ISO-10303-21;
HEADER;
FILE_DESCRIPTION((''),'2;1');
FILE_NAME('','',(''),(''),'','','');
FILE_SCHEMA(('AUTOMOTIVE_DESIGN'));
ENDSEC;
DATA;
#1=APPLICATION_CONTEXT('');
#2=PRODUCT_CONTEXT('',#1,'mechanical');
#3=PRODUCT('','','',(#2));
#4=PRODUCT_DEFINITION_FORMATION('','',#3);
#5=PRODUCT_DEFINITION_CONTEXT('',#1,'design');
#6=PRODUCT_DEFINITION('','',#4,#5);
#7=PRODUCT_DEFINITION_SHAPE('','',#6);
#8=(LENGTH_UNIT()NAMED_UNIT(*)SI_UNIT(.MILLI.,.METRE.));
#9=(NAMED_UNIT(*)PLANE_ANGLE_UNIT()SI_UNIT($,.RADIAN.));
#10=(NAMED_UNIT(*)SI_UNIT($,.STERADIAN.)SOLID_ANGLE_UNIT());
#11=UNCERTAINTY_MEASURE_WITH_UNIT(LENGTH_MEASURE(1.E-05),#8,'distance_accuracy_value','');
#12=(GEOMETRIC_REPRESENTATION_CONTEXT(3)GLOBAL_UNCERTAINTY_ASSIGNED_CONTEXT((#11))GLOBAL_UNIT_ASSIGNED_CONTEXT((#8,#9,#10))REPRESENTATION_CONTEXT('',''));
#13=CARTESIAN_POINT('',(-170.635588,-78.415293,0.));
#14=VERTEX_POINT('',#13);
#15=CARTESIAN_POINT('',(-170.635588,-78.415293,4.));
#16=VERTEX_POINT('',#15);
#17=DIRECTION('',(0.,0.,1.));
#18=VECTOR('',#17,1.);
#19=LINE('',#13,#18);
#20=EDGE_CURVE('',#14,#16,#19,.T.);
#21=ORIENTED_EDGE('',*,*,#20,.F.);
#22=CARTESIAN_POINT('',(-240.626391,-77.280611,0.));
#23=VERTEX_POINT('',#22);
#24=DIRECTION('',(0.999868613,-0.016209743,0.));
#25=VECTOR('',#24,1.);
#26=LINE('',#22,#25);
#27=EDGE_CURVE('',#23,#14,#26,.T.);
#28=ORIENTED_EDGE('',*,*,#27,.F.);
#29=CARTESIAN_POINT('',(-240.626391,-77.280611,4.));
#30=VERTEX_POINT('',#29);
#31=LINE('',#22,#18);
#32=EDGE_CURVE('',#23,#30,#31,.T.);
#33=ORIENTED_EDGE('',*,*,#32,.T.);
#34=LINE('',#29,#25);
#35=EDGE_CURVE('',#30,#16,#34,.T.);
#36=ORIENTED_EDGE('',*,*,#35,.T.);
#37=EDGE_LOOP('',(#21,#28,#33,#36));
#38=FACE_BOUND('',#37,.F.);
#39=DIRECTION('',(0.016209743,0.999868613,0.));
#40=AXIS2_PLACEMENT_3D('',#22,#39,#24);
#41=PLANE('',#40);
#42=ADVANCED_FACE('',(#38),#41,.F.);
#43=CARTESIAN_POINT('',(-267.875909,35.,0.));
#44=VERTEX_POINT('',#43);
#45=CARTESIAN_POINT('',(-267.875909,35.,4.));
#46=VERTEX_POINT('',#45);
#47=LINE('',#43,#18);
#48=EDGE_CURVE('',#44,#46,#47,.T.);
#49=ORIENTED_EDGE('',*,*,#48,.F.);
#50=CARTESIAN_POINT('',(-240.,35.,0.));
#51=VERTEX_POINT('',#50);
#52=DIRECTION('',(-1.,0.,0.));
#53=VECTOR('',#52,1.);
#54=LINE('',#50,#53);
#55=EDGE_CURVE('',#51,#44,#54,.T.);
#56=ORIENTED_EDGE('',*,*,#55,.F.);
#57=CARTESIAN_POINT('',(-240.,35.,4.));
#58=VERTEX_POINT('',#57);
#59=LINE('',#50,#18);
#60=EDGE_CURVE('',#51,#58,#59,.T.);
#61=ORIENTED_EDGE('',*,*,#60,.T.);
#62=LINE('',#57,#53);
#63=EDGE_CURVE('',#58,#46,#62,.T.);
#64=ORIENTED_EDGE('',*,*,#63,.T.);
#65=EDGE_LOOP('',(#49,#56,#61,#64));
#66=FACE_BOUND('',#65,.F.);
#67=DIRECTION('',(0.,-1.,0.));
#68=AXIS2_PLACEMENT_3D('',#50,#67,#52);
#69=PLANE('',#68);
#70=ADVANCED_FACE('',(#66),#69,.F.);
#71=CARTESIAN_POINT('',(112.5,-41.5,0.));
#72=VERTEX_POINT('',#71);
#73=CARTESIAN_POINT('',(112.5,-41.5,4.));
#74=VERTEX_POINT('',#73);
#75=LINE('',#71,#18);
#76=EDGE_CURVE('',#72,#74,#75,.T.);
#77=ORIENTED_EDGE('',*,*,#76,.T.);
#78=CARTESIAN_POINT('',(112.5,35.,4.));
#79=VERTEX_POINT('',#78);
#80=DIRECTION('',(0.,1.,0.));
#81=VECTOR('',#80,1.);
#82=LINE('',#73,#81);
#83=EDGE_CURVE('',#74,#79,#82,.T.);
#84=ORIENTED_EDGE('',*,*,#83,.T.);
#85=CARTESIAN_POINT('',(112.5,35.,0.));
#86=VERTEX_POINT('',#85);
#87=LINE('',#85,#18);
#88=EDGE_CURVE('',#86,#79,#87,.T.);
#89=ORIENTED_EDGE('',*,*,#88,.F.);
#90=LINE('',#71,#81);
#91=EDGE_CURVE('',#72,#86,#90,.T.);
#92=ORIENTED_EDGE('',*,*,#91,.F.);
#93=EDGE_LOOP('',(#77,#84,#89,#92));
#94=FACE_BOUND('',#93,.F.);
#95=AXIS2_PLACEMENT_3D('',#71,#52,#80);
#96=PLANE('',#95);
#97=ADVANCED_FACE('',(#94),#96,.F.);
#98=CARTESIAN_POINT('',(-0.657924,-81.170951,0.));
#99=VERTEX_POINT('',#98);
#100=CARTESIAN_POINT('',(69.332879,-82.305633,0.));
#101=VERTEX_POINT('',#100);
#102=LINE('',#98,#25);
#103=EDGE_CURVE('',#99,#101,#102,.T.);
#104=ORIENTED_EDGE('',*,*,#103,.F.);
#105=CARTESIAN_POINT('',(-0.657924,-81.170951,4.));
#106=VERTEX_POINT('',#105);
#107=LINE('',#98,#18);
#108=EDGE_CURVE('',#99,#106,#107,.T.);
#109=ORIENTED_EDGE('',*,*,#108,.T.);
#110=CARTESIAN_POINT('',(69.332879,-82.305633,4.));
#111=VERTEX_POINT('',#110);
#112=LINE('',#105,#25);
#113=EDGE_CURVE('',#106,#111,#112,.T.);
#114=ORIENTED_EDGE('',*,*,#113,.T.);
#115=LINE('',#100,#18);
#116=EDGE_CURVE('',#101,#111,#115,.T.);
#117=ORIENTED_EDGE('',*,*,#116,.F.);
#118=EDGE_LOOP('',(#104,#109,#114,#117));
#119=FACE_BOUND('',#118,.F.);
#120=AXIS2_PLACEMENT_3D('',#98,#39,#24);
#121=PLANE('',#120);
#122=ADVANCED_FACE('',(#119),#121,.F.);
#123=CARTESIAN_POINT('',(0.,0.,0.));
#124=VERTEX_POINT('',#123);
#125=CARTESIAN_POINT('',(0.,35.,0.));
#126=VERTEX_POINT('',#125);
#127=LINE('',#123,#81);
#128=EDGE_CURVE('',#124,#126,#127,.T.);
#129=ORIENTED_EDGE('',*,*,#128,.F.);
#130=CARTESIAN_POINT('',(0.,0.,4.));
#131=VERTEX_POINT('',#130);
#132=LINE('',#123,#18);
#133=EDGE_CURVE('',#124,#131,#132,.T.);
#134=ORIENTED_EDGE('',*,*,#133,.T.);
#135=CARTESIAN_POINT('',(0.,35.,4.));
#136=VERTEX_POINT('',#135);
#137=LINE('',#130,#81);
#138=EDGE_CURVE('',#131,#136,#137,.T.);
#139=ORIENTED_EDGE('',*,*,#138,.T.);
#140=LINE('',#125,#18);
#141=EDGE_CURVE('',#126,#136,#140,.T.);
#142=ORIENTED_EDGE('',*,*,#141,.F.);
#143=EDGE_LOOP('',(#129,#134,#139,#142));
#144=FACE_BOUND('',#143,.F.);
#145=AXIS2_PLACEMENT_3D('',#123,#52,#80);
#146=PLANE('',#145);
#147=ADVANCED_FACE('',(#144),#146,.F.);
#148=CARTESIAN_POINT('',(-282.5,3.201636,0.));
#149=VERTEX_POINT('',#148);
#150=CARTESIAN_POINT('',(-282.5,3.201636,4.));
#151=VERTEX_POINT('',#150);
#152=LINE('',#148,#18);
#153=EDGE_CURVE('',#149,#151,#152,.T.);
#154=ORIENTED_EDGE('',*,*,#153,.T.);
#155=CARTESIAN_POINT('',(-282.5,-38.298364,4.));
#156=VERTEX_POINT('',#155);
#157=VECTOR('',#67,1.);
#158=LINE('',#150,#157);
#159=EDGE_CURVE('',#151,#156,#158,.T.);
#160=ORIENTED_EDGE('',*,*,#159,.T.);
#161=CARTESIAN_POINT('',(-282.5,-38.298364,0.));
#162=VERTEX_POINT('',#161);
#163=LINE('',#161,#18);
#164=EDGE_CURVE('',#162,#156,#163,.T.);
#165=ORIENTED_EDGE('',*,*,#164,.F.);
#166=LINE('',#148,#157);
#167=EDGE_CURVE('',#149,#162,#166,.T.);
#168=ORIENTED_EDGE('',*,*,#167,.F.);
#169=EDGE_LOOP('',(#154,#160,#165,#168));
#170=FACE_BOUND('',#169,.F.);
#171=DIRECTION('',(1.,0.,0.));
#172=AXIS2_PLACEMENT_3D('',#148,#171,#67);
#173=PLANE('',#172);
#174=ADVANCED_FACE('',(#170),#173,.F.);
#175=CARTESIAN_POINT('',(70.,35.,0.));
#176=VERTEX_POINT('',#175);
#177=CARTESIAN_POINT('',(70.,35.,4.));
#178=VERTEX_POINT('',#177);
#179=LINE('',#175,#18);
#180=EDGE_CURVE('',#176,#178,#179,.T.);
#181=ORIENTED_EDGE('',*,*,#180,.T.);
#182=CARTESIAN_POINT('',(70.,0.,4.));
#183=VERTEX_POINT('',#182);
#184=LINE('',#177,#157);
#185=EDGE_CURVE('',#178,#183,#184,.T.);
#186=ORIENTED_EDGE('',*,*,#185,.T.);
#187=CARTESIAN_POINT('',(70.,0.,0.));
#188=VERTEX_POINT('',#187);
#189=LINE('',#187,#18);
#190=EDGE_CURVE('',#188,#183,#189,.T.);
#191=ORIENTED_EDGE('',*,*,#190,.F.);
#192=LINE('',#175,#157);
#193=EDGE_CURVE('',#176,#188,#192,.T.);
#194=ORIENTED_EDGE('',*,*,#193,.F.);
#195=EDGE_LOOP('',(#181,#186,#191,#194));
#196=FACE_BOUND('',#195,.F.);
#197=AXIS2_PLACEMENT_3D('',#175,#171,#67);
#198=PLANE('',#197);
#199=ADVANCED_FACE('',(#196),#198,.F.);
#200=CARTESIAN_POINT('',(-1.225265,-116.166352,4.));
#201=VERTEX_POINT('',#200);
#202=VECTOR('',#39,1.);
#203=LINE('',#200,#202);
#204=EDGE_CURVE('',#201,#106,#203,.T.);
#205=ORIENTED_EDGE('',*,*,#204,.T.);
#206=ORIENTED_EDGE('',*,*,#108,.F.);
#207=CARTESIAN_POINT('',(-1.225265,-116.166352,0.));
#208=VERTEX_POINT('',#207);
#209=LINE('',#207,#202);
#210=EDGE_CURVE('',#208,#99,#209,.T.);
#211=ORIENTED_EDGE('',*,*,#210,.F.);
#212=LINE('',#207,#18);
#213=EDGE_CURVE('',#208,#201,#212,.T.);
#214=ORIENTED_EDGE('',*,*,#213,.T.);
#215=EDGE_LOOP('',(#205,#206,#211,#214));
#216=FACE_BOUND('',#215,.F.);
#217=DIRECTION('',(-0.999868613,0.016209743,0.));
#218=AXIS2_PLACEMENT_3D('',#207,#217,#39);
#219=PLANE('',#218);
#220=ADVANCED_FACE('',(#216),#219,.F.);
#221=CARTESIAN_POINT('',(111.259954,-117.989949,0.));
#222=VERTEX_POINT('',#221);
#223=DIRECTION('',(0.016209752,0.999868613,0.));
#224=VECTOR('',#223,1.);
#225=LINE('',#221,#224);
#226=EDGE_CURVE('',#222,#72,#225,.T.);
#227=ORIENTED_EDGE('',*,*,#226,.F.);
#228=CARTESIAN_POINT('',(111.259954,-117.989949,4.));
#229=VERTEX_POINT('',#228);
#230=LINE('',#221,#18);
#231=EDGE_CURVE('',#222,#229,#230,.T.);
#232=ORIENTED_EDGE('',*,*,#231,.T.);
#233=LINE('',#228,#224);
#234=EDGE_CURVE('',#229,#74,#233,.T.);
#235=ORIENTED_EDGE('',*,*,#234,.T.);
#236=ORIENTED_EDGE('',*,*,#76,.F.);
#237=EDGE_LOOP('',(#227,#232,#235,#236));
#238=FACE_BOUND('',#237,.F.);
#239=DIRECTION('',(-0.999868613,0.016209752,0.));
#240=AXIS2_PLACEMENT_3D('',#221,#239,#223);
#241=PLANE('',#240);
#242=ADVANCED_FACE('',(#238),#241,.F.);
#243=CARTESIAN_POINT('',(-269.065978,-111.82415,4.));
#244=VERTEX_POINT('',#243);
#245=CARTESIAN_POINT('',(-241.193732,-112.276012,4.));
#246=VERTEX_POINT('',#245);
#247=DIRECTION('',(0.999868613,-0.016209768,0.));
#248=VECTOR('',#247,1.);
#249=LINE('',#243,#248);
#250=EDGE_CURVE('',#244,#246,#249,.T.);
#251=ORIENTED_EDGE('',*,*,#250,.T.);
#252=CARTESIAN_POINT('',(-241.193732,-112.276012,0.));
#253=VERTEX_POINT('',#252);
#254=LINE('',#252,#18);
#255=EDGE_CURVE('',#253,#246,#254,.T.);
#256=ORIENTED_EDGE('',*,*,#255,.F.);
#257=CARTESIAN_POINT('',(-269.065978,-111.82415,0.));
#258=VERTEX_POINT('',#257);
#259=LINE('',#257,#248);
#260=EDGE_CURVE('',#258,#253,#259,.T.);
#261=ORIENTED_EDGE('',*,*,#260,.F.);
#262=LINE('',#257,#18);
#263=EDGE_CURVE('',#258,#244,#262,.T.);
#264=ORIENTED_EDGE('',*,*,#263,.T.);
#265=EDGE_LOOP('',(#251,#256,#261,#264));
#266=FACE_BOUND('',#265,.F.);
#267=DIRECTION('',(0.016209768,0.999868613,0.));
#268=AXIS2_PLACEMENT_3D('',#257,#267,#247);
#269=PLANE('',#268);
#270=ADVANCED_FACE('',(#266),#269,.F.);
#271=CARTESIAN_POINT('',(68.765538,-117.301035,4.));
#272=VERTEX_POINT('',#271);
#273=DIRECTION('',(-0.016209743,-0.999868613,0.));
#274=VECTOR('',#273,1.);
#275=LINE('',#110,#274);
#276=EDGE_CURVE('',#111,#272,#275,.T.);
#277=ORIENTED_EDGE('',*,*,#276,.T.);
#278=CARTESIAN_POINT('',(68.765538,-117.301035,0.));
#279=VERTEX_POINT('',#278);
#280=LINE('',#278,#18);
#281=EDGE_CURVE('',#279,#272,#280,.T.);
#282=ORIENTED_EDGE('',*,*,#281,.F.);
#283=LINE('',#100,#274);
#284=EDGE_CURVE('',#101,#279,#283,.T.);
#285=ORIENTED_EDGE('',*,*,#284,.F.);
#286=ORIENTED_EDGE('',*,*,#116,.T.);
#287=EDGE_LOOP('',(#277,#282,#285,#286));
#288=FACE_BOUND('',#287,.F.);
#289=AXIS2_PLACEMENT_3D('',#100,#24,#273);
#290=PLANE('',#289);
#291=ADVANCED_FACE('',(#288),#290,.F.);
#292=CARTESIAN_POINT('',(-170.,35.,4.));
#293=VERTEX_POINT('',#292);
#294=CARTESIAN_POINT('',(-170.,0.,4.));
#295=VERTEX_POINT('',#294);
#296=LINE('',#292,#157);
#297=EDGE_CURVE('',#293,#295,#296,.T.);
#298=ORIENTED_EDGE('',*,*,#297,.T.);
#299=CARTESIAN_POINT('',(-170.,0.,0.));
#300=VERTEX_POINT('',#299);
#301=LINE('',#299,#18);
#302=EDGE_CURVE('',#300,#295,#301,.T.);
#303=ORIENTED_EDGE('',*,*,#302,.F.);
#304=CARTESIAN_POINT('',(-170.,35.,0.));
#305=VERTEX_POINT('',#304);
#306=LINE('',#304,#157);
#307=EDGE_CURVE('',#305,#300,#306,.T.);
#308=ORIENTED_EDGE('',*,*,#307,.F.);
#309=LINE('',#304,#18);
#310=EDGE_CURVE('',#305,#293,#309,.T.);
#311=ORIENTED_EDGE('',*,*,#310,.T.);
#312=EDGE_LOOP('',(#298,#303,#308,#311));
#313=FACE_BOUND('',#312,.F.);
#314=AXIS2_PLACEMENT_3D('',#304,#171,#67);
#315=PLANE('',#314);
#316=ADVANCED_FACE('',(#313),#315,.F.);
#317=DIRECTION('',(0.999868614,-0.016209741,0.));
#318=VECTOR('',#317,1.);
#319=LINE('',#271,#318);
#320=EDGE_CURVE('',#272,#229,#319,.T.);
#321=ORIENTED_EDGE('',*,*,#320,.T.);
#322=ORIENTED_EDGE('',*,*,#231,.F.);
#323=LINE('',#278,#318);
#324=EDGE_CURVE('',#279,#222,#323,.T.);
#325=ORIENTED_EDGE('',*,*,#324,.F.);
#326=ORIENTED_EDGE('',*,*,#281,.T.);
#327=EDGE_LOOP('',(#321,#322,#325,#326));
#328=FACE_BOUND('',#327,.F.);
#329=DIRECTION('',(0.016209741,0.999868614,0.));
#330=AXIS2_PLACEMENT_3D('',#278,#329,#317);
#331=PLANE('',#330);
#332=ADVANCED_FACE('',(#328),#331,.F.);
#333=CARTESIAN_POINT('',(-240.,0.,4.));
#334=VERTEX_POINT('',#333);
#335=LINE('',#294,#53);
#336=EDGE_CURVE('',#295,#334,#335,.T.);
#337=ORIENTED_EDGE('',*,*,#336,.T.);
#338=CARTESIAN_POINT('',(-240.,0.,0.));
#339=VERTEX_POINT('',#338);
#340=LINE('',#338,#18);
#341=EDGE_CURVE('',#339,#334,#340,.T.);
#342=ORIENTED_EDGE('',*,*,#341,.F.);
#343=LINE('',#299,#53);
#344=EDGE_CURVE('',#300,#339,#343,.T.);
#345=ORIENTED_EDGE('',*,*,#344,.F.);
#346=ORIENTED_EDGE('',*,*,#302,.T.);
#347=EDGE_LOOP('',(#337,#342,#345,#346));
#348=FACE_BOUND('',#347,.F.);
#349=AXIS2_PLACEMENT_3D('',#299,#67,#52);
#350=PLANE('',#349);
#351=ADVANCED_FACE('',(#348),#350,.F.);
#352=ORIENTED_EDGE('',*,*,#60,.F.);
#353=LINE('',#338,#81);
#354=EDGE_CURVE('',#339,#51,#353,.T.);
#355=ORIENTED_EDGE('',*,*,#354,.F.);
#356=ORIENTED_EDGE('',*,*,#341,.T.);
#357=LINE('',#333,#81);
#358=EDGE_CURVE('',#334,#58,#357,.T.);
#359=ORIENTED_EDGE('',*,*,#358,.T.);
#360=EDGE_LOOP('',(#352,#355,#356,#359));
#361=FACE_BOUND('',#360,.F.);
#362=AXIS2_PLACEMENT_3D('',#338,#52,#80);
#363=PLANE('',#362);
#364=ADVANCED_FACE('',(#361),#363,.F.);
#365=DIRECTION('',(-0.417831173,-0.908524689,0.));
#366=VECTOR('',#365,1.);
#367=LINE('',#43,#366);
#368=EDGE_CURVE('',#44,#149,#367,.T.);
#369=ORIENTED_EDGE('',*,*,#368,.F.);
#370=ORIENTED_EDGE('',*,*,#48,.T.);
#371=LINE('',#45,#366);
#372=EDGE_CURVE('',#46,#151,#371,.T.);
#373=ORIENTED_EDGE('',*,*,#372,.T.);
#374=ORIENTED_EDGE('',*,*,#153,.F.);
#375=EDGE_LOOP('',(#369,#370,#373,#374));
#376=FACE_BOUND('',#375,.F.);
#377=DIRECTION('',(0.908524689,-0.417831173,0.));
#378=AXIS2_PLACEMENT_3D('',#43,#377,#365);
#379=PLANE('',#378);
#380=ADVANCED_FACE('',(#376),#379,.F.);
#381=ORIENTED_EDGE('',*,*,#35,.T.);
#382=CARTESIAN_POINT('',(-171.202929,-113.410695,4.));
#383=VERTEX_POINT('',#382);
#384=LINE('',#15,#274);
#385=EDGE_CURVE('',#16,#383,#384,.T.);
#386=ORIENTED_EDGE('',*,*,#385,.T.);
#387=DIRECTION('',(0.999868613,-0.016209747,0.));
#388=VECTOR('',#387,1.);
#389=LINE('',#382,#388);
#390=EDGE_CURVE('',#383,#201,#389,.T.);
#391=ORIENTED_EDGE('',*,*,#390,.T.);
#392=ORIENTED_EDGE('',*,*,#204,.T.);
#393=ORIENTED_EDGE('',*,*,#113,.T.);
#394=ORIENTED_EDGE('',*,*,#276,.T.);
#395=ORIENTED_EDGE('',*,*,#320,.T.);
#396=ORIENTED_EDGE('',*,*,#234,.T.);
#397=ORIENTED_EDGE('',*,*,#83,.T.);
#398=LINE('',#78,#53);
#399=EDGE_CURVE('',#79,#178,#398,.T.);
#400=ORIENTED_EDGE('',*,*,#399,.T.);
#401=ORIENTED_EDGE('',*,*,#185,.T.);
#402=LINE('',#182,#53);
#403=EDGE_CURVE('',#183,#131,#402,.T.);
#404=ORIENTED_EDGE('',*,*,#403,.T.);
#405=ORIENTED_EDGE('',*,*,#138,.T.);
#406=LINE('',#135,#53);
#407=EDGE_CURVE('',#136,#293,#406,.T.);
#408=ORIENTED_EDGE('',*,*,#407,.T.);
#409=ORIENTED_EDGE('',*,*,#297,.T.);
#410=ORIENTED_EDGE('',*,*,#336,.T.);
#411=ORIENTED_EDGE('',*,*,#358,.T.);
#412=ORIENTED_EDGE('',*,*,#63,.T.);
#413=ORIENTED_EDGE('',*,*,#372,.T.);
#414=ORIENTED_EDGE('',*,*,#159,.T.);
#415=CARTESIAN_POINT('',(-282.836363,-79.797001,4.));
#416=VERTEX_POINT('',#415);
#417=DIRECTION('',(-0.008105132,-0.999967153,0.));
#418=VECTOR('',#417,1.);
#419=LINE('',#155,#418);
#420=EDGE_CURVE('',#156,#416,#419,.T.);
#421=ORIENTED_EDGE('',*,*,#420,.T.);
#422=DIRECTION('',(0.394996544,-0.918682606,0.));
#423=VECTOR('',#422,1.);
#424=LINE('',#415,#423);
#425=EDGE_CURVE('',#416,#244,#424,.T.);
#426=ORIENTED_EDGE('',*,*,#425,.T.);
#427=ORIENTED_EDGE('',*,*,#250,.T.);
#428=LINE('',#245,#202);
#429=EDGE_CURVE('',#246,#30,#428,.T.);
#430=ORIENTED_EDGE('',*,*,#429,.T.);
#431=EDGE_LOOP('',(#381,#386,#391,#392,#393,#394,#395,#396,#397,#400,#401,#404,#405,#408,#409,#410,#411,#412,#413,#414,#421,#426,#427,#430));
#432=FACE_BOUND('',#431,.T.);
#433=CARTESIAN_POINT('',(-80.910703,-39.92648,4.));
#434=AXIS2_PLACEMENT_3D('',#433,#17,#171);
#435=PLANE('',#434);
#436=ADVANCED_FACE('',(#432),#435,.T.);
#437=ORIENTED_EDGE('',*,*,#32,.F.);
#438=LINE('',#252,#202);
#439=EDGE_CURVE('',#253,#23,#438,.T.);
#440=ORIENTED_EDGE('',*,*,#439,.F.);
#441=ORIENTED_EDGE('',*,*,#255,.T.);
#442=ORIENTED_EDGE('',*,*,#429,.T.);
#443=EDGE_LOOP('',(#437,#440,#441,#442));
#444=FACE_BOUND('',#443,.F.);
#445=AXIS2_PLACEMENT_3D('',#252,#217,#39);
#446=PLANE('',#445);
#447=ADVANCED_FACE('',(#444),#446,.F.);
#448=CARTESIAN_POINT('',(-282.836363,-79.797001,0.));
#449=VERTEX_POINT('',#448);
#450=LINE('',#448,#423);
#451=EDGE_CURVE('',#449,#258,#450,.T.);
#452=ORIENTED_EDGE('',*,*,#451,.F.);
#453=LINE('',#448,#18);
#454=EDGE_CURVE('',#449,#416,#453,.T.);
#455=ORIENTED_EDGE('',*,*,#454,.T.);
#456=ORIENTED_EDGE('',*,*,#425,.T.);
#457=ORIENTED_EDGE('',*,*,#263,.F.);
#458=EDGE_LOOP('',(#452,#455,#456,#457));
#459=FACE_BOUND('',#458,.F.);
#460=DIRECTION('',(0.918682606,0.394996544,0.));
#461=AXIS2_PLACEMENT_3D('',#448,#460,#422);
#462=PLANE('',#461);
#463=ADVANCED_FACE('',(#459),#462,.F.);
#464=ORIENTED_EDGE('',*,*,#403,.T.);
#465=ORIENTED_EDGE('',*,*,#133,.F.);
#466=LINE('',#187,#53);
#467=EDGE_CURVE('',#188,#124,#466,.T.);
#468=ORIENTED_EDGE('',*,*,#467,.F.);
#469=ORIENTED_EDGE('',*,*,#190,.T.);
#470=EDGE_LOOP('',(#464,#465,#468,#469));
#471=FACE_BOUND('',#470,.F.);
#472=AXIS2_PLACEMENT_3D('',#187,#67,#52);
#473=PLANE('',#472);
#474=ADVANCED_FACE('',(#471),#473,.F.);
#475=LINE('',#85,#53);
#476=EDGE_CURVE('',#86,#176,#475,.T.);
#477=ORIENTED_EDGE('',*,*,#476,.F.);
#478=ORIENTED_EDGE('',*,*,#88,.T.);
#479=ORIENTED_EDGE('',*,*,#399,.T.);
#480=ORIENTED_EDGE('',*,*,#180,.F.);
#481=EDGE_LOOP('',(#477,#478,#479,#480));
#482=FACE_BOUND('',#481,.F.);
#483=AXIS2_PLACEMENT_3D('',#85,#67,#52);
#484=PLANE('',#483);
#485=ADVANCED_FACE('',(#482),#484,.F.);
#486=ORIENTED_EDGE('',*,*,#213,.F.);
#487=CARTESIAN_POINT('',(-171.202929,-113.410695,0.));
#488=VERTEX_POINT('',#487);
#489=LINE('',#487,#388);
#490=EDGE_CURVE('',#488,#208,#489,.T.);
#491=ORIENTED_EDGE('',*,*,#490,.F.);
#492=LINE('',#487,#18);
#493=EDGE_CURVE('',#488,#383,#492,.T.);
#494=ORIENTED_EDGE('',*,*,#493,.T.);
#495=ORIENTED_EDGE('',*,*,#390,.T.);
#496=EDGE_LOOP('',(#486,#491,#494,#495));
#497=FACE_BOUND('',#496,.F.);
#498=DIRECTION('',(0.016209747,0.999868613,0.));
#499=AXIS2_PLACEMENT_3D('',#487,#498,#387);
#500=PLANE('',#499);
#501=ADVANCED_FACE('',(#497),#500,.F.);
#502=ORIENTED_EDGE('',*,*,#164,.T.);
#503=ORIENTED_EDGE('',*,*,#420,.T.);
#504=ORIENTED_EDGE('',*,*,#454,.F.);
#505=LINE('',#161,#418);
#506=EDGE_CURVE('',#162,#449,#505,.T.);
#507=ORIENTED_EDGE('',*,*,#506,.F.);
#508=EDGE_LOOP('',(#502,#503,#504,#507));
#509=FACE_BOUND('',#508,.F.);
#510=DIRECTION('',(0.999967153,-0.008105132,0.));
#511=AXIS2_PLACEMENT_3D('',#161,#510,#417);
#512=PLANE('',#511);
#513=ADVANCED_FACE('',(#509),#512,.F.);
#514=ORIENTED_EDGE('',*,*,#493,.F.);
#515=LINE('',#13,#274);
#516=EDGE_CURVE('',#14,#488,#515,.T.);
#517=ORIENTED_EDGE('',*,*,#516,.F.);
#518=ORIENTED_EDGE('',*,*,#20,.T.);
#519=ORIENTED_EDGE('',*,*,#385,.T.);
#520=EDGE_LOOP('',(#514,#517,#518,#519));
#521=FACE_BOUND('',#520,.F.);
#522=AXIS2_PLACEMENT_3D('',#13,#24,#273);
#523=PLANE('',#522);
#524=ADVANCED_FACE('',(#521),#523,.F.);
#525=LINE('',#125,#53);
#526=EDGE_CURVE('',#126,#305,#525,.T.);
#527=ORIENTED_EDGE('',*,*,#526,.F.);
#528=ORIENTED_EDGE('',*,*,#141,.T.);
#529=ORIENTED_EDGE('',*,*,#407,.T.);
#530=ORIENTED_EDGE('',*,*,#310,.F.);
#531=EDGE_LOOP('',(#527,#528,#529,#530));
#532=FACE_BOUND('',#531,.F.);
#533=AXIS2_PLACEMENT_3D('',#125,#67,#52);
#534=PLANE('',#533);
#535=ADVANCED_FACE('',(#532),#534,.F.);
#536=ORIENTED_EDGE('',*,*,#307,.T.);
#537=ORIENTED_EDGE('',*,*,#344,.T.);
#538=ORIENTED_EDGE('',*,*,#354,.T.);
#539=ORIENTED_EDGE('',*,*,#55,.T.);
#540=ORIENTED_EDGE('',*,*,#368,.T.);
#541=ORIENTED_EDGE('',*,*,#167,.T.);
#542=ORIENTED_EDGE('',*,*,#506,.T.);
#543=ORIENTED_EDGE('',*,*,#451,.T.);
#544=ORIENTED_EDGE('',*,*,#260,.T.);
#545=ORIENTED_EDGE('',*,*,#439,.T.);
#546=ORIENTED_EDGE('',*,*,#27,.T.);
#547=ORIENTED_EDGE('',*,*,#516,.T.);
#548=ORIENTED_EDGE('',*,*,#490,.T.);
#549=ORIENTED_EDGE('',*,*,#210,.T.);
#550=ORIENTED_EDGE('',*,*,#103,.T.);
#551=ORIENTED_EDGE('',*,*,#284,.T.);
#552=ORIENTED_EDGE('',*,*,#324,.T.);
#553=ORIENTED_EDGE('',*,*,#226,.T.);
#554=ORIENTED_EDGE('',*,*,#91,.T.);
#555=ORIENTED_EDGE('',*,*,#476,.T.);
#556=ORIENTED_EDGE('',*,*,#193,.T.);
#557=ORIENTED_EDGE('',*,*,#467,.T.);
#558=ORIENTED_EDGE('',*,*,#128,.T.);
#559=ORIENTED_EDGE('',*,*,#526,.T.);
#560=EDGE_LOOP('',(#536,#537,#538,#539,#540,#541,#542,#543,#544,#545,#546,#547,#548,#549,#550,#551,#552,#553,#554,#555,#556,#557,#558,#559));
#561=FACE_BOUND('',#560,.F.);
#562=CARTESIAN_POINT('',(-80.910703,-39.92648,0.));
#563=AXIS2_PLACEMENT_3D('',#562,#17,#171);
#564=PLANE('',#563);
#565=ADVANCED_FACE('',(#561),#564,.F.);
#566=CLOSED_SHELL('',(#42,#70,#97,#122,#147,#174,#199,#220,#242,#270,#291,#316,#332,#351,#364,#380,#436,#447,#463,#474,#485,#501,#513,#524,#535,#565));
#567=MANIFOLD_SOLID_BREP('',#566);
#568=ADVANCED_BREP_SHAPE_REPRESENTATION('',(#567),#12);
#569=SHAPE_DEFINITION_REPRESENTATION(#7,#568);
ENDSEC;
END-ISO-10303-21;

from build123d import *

# Parameters (mm, degrees)
F1_DEPTH = 4


with BuildPart() as f1:
    # F0 (on Top) → F1 (new body)
    with BuildSketch(Plane.XY):
        Polygon((70, 0), (0, 0), (0, 35), (-170, 35), (-170, 0), (-240, 0), (-240, 35), (-267.875909, 35), (-282.5, 3.201636), (-282.5, -38.298364), (-282.836363, -79.797001), (-269.065978, -111.82415), (-241.193732, -112.276012), (-240.626391, -77.280611), (-170.635588, -78.415293), (-171.202929, -113.410695), (-1.225265, -116.166352), (-0.657924, -81.170951), (69.332879, -82.305633), (68.765538, -117.301035), (111.259954, -117.989949), (112.5, -41.5), (112.5, 35), (70, 35), align=None)
    extrude(amount=F1_DEPTH)


solid = f1.part
